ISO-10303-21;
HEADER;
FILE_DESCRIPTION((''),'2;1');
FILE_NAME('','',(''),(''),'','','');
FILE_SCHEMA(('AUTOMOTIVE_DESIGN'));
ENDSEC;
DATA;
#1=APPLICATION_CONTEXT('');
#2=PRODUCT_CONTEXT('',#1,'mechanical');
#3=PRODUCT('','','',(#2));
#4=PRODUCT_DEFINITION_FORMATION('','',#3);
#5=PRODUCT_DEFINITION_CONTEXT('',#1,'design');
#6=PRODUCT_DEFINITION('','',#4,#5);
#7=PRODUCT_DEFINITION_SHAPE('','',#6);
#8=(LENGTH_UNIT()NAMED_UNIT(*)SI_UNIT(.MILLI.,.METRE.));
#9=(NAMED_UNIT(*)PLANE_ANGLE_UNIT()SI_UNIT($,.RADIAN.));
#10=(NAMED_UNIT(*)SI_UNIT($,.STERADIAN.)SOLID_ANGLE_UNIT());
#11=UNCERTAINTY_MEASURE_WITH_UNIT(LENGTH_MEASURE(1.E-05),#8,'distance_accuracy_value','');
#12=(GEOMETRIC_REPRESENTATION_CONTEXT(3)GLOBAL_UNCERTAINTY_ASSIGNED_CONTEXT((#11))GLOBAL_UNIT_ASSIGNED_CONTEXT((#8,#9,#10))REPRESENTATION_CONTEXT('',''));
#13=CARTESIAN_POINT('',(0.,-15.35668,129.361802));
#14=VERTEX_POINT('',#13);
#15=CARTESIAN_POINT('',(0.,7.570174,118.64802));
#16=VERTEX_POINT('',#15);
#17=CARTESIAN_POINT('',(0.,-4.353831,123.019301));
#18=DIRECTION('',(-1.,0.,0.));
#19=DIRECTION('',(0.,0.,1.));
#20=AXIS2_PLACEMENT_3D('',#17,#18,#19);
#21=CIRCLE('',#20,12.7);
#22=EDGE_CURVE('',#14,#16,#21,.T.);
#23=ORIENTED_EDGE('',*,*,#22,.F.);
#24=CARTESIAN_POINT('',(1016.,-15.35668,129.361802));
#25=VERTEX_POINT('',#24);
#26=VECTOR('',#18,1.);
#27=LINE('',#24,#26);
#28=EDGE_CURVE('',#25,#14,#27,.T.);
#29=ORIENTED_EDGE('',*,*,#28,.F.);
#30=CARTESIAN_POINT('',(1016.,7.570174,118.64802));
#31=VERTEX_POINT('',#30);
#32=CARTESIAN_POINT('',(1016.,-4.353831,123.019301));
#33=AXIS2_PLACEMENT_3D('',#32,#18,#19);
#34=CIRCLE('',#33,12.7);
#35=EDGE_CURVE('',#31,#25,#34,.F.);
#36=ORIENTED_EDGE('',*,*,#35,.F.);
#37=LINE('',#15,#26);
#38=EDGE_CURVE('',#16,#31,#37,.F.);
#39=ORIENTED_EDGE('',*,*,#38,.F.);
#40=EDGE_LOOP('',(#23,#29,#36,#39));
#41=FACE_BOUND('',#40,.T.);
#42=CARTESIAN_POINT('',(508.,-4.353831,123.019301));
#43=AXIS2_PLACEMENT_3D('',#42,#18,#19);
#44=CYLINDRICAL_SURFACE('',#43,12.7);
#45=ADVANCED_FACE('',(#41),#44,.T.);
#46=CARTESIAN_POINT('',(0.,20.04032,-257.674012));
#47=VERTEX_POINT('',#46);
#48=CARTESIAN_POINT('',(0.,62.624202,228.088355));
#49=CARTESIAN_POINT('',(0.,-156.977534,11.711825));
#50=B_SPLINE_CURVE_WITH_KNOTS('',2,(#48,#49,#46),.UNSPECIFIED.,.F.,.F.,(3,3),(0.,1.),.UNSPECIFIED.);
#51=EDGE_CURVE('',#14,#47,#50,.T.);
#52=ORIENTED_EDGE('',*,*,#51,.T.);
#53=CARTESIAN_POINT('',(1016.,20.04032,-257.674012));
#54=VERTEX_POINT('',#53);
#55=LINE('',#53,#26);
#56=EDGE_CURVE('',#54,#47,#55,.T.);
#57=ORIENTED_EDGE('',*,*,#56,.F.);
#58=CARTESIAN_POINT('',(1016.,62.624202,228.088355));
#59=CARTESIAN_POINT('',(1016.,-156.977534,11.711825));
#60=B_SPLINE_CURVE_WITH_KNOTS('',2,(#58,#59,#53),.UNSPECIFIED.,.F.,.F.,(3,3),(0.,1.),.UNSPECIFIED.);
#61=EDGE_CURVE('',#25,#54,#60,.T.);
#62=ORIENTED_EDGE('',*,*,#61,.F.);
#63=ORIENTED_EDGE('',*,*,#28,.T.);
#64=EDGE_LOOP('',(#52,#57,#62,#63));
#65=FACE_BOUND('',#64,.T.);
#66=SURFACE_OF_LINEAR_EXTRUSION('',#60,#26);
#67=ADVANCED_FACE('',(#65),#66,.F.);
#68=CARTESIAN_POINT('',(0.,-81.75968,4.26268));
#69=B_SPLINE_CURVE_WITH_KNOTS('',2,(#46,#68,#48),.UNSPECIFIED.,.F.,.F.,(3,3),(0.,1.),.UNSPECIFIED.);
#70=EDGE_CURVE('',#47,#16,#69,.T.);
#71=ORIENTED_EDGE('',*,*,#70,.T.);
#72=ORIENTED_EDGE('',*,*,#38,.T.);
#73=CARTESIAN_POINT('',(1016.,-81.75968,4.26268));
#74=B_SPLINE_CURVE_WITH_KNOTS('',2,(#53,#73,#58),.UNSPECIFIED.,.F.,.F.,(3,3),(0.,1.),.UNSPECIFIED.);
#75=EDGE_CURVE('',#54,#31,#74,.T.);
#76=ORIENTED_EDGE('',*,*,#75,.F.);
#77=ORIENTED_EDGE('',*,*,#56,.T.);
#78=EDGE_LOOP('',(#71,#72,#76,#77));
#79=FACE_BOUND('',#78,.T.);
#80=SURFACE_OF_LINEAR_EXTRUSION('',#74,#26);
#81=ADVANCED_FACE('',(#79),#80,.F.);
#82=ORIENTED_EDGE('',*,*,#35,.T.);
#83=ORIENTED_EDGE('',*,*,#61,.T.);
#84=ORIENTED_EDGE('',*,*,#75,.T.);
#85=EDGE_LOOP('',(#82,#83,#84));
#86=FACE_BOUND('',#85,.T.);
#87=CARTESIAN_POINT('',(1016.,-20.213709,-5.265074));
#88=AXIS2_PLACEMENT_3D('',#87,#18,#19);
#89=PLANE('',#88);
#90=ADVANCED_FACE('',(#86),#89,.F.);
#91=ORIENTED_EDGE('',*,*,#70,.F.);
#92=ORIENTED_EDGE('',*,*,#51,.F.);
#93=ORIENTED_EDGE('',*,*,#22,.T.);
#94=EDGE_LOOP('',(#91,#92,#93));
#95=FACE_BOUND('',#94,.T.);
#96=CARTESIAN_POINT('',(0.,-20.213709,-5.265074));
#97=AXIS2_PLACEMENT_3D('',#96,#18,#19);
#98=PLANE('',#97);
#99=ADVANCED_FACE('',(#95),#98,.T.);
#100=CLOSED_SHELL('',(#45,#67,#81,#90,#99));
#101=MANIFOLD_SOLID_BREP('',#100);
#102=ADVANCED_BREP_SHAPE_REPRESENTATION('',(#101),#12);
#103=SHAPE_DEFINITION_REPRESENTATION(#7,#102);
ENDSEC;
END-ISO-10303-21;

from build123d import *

# Parameters (mm, degrees)
BOSS_EXTRUDE1_DEPTH = 1016
FILLET1_R           = 12.7


with BuildPart() as part:
    # Sketch1 → Boss-Extrude1 (new body)
    with BuildSketch(Plane(origin=(0, 0, 0), x_dir=(0, 0, -1), z_dir=(1, 0, 0))):
        with BuildLine():
            add(Edge.make_bspline(
                [(-228.08835475, 62.624202495), (-11.711824615, -156.977534249), (257.674011594, 20.040320088)],
                knots=[0, 0, 0, 1, 1, 1], degree=2))
            add(Edge.make_bspline(
                [(-228.08835475, 62.624202495), (-4.26268011, -81.75967968), (257.674011594, 20.040320088)],
                knots=[0, 0, 0, 1, 1, 1], degree=2))
        make_face()
    extrude(amount=BOSS_EXTRUDE1_DEPTH)

    # Fillet1
    fillet1_edges = [part.edges().sort_by_distance(p)[0] for p in [
        (508, 62.624202495, 228.08835475),
    ]]
    fillet(fillet1_edges, radius=FILLET1_R)


solid = part.part
